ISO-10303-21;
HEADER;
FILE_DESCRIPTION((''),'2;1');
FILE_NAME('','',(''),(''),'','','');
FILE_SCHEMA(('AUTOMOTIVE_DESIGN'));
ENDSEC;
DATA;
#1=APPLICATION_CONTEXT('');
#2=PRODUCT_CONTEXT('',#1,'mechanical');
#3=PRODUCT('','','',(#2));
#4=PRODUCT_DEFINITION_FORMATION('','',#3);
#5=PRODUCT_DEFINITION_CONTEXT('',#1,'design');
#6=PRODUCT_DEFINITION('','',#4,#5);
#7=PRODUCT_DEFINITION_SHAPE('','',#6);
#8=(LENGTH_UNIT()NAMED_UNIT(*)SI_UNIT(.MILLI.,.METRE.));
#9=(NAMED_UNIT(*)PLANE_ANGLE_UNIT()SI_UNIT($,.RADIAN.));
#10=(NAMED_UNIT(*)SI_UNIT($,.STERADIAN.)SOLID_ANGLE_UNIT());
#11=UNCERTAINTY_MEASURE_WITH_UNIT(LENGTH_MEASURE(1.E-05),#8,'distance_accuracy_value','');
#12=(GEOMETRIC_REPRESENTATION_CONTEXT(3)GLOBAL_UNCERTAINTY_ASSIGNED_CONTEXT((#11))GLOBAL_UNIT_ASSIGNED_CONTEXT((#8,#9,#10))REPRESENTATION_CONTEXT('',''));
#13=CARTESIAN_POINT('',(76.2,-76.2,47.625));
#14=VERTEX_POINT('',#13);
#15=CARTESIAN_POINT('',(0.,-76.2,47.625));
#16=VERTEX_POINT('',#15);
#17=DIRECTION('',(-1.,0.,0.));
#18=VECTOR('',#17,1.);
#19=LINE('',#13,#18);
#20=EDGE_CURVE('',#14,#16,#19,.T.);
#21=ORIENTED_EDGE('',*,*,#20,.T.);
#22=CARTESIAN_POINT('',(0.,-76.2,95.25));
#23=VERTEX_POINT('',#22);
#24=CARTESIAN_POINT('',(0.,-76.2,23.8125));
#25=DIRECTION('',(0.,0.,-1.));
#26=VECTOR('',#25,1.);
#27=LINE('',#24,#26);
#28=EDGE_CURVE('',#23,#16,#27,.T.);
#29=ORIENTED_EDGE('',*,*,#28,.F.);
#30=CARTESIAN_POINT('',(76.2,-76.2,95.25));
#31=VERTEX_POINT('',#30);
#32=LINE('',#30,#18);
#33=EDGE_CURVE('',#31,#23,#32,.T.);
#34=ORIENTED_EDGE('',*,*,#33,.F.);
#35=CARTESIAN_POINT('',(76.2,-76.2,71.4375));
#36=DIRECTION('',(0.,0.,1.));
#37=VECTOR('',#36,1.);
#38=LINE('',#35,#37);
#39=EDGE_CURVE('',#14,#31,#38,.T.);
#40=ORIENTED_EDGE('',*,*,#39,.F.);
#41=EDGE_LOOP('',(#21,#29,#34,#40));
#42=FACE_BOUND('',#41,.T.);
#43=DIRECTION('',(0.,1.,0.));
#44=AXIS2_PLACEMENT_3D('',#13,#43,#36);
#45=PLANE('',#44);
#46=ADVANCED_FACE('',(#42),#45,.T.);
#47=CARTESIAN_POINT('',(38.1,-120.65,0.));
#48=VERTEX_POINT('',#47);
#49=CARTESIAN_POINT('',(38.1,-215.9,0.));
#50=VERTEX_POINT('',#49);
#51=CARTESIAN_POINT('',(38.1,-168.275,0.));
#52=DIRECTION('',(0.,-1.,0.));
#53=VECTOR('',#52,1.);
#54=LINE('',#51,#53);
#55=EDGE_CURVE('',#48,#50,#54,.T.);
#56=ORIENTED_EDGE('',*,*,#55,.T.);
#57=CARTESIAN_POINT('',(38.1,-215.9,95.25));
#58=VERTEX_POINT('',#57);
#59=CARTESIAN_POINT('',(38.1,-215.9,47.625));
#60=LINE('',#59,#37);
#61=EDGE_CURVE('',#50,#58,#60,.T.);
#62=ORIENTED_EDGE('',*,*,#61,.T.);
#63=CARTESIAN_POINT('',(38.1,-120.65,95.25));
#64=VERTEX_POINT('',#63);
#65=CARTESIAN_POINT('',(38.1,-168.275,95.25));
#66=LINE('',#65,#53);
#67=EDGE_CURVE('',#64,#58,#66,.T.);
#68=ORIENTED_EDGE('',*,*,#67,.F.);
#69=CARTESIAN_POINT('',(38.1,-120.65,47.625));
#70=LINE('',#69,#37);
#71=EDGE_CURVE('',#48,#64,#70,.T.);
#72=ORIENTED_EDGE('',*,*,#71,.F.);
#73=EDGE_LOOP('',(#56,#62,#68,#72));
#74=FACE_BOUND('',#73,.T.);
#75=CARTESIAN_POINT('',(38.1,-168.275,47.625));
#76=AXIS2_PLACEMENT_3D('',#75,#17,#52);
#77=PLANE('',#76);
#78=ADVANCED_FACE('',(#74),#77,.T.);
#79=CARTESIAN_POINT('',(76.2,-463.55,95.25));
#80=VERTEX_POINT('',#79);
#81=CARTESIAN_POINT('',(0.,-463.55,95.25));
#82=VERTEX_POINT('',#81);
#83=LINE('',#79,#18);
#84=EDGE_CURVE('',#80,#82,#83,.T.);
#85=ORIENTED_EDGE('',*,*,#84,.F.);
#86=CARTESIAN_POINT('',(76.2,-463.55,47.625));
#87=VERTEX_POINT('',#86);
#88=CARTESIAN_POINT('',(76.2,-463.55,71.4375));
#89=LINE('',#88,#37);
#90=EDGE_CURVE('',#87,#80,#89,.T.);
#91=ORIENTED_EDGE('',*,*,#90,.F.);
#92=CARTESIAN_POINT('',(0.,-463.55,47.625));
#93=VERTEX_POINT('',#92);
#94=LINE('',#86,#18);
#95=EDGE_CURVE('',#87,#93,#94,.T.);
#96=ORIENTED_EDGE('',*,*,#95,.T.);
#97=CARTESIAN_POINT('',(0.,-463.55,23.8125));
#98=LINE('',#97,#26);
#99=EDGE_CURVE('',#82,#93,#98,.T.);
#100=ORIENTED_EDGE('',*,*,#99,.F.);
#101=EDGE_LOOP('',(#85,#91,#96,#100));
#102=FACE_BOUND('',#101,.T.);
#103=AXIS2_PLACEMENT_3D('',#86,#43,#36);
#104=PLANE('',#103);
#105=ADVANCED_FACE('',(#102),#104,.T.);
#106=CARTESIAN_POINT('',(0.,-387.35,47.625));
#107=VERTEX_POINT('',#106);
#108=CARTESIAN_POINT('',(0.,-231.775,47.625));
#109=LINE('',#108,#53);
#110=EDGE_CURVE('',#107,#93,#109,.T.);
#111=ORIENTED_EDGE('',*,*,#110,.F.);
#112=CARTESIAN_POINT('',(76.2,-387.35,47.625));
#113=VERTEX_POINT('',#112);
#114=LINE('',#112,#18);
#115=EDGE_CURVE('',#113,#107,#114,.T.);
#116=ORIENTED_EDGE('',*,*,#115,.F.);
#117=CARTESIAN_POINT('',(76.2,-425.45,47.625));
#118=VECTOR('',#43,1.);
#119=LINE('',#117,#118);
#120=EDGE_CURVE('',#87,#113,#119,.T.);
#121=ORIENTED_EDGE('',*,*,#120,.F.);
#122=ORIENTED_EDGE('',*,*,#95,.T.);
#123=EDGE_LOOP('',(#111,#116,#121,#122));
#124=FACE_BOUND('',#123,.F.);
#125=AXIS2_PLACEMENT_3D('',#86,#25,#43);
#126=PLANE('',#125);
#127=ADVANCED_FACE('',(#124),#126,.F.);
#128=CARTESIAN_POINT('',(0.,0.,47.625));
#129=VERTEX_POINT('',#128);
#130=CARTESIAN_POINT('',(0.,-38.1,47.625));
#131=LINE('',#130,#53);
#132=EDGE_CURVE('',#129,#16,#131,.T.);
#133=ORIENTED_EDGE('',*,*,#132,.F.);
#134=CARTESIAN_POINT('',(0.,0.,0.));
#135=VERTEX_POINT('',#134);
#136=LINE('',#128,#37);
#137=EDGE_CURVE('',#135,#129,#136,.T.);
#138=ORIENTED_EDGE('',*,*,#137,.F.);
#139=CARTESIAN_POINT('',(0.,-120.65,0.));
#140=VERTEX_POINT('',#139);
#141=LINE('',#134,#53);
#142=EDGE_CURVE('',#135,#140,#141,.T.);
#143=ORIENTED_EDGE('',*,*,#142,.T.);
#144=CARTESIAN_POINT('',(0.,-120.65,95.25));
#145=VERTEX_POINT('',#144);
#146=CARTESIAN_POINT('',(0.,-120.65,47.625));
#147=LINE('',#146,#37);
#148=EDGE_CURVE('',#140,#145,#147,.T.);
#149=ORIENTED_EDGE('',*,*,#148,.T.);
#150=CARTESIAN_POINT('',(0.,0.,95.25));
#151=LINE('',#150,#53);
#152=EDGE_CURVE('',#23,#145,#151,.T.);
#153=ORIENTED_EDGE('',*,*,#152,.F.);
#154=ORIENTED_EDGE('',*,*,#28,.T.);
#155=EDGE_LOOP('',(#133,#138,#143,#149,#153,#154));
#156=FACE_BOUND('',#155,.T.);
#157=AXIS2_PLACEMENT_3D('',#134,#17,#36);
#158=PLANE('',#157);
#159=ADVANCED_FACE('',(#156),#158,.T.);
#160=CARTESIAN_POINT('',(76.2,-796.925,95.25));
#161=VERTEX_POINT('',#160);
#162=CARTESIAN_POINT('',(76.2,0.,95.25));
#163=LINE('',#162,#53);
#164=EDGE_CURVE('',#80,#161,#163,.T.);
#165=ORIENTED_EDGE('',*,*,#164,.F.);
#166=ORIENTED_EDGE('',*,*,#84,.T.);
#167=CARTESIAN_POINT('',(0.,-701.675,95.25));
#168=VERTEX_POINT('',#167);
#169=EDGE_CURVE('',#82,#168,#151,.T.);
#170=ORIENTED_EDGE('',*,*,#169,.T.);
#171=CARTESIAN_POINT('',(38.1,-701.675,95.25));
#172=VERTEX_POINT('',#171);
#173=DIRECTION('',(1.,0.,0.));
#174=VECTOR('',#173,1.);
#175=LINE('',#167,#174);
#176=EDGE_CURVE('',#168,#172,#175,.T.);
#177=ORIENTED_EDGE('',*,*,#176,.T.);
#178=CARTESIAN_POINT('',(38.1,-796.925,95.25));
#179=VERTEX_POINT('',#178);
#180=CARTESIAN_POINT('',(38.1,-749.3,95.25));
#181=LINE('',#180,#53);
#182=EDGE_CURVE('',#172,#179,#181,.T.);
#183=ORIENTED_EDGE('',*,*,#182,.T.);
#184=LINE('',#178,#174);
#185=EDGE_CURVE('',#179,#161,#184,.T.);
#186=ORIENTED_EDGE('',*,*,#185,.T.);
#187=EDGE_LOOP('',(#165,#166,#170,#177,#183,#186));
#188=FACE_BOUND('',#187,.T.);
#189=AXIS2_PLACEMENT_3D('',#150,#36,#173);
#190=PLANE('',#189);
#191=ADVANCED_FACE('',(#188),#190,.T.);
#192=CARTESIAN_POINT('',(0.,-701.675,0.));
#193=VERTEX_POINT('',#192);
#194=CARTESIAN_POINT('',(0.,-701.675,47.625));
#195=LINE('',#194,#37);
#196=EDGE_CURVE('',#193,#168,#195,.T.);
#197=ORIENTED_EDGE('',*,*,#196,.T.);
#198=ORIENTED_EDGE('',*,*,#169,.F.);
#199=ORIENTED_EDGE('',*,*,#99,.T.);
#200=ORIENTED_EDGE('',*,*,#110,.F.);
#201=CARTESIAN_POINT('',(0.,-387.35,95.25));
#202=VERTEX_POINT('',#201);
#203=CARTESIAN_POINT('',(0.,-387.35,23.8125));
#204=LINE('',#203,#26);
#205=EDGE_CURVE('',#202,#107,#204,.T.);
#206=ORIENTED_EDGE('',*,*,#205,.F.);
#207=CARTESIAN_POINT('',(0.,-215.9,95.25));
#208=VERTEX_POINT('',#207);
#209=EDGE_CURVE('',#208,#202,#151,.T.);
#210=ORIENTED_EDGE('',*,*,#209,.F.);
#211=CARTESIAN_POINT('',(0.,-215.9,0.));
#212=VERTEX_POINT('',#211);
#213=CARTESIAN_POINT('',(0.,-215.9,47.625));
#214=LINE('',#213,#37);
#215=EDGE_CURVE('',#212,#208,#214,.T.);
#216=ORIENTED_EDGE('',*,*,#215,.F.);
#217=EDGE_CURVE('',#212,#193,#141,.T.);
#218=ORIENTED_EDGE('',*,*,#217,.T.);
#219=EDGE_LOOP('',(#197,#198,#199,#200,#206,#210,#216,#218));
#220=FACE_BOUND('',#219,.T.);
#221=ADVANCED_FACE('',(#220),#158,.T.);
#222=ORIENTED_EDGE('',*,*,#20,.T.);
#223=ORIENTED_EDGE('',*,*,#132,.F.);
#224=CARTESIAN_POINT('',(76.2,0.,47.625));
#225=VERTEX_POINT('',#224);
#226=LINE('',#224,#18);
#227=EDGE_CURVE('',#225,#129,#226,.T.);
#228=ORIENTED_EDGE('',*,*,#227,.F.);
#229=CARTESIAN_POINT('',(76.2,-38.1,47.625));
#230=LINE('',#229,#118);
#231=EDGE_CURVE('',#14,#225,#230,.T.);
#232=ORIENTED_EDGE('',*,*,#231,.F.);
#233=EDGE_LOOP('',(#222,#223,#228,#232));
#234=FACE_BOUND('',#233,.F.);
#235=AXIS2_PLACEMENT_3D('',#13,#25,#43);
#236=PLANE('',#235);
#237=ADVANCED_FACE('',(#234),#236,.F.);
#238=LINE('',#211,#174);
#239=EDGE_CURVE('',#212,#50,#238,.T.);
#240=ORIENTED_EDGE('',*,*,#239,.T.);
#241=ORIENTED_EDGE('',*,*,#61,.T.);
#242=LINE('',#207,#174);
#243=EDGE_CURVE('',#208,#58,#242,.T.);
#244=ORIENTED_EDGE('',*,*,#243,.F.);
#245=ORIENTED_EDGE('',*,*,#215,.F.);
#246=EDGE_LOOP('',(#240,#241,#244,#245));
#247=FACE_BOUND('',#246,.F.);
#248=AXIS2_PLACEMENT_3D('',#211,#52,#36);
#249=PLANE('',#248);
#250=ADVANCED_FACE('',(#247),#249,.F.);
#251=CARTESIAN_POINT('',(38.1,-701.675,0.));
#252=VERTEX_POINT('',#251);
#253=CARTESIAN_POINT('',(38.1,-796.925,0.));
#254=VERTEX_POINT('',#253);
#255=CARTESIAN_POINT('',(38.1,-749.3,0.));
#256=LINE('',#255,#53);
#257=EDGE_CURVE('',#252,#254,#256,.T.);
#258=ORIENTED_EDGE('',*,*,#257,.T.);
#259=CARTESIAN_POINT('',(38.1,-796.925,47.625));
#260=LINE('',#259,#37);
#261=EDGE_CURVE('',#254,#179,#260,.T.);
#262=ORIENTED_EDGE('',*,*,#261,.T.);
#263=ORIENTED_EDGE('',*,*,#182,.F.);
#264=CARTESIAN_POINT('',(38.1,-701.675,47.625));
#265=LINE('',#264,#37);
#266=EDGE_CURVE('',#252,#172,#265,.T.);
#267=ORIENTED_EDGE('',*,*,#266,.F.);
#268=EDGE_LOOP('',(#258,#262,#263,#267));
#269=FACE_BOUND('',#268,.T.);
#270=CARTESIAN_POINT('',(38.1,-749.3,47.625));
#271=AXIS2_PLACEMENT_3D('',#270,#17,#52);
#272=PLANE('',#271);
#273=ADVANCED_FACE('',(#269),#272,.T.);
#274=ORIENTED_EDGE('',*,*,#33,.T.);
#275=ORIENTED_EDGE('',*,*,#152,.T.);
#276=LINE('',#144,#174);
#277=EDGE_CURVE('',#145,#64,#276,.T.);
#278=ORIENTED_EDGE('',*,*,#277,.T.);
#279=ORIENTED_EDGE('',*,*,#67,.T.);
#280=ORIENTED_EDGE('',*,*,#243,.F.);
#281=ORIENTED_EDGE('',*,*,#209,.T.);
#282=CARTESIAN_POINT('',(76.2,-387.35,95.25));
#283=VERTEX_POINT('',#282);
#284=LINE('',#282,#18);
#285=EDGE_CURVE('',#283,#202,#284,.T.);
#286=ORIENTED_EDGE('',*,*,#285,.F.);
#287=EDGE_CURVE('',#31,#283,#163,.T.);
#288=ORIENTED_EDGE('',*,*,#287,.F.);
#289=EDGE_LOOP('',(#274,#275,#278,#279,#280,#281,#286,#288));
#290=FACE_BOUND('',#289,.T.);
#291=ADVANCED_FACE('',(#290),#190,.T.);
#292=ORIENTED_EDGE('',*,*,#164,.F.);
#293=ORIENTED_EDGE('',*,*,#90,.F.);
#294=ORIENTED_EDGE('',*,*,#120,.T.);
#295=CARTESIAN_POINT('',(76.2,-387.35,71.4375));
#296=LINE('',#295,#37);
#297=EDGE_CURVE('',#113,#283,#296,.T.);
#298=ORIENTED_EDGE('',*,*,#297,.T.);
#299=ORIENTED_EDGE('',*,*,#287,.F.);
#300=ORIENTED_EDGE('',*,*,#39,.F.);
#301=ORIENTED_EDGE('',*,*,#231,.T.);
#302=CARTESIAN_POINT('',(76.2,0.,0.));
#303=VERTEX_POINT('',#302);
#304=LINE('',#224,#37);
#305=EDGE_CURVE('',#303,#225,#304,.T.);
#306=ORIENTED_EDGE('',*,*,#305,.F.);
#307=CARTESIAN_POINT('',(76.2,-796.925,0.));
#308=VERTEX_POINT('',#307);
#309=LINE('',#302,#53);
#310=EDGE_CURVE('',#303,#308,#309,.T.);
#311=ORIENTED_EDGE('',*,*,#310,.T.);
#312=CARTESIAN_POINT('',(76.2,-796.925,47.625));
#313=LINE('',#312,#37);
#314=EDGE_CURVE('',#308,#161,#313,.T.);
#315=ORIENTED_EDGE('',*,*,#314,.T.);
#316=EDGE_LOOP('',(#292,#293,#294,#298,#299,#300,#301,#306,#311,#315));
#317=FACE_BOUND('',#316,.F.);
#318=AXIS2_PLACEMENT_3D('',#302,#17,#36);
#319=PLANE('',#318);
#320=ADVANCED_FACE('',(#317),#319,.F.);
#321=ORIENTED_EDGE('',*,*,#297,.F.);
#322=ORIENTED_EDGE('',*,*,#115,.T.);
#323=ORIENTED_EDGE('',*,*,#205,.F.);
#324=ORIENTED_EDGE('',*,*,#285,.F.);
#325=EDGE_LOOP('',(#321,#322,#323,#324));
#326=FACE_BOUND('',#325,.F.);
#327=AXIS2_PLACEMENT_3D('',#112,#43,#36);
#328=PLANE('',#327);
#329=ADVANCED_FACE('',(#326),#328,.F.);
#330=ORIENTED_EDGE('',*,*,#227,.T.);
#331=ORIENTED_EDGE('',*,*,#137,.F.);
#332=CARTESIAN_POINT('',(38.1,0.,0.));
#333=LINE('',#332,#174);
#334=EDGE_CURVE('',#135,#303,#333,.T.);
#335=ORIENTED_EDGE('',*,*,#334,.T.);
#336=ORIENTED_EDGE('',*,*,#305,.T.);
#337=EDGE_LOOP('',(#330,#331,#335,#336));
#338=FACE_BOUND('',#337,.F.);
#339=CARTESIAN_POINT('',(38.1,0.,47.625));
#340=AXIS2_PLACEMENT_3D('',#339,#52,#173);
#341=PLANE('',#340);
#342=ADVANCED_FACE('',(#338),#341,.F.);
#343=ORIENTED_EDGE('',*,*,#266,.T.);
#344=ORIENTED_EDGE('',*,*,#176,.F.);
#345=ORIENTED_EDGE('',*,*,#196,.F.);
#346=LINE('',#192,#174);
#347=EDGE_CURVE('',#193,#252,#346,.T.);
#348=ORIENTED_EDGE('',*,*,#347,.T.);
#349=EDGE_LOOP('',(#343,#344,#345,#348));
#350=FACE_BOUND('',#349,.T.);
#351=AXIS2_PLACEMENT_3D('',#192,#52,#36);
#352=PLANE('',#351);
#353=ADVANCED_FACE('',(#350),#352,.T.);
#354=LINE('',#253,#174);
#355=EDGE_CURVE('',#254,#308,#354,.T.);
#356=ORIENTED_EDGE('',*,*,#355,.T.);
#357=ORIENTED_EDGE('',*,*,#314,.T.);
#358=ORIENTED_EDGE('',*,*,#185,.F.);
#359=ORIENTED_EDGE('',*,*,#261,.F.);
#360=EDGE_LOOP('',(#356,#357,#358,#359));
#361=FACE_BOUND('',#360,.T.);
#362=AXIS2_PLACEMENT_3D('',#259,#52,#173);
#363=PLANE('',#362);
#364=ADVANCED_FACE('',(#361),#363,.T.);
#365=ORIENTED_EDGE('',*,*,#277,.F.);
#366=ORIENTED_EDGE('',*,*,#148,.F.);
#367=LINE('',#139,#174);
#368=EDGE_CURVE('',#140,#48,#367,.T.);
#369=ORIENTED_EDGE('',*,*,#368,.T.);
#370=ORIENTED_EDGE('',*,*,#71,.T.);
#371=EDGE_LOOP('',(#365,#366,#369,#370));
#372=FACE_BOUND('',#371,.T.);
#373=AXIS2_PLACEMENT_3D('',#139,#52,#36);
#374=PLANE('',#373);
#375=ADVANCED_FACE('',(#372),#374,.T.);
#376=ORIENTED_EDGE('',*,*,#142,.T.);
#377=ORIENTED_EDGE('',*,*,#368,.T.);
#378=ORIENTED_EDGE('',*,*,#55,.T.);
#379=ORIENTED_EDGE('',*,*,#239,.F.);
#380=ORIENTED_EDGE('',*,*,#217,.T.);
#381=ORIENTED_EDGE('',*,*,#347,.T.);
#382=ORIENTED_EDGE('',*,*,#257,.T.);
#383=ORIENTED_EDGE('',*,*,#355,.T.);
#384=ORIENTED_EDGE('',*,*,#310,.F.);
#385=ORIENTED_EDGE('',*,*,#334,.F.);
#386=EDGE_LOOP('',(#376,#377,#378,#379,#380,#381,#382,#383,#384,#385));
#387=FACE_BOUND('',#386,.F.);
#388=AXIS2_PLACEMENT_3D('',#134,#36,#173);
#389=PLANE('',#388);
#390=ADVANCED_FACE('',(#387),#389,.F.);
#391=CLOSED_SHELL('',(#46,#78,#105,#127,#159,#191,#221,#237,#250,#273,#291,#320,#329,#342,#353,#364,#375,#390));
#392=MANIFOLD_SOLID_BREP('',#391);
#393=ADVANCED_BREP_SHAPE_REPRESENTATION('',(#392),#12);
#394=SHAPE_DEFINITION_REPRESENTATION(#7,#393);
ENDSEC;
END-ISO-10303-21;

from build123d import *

# Parameters (mm, degrees)
F0_W     = 76.2
F0_H     = 95.25
F1_DEPTH = 796.925
F2_W     = 76.2
F2_H     = 47.625
F3_DEPTH = 76.201
F4_W     = 95.25
F4_H     = 95.25
F5_DEPTH = 38.1
F6_W     = 95.25
F6_H     = 95.25
F7_DEPTH = 38.1


with BuildPart() as f1:
    # F0 (on Front) → F1 (new body)
    with BuildSketch(Plane.XZ):
        with Locations((38.1, 47.625)):
            Rectangle(F0_W, F0_H)
    extrude(amount=F1_DEPTH)

    # F2 (on face) → F3 (cut, through all)
    with BuildSketch(Plane.YZ.offset(76.2)):
        with Locations((-425.45, 71.4375)):
            Rectangle(F2_W, F2_H)
        with Locations((-38.1, 71.4375)):
            Rectangle(F2_W, F2_H)
    extrude(amount=-F3_DEPTH, mode=Mode.SUBTRACT)

    # F4 (on face) → F5 (cut)
    with BuildSketch(Plane(origin=(0, 0, 0), x_dir=(0, -1, 0), z_dir=(-1, 0, 0))):
        with Locations((749.3, 47.625)):
            Rectangle(F4_W, F4_H)
    extrude(amount=-F5_DEPTH, mode=Mode.SUBTRACT)

    # F6 (on face) → F7 (cut)
    with BuildSketch(Plane(origin=(0, 0, 0), x_dir=(0, -1, 0), z_dir=(-1, 0, 0))):
        with Locations((168.275, 47.625)):
            Rectangle(F6_W, F6_H)
    extrude(amount=-F7_DEPTH, mode=Mode.SUBTRACT)


solid = f1.part
